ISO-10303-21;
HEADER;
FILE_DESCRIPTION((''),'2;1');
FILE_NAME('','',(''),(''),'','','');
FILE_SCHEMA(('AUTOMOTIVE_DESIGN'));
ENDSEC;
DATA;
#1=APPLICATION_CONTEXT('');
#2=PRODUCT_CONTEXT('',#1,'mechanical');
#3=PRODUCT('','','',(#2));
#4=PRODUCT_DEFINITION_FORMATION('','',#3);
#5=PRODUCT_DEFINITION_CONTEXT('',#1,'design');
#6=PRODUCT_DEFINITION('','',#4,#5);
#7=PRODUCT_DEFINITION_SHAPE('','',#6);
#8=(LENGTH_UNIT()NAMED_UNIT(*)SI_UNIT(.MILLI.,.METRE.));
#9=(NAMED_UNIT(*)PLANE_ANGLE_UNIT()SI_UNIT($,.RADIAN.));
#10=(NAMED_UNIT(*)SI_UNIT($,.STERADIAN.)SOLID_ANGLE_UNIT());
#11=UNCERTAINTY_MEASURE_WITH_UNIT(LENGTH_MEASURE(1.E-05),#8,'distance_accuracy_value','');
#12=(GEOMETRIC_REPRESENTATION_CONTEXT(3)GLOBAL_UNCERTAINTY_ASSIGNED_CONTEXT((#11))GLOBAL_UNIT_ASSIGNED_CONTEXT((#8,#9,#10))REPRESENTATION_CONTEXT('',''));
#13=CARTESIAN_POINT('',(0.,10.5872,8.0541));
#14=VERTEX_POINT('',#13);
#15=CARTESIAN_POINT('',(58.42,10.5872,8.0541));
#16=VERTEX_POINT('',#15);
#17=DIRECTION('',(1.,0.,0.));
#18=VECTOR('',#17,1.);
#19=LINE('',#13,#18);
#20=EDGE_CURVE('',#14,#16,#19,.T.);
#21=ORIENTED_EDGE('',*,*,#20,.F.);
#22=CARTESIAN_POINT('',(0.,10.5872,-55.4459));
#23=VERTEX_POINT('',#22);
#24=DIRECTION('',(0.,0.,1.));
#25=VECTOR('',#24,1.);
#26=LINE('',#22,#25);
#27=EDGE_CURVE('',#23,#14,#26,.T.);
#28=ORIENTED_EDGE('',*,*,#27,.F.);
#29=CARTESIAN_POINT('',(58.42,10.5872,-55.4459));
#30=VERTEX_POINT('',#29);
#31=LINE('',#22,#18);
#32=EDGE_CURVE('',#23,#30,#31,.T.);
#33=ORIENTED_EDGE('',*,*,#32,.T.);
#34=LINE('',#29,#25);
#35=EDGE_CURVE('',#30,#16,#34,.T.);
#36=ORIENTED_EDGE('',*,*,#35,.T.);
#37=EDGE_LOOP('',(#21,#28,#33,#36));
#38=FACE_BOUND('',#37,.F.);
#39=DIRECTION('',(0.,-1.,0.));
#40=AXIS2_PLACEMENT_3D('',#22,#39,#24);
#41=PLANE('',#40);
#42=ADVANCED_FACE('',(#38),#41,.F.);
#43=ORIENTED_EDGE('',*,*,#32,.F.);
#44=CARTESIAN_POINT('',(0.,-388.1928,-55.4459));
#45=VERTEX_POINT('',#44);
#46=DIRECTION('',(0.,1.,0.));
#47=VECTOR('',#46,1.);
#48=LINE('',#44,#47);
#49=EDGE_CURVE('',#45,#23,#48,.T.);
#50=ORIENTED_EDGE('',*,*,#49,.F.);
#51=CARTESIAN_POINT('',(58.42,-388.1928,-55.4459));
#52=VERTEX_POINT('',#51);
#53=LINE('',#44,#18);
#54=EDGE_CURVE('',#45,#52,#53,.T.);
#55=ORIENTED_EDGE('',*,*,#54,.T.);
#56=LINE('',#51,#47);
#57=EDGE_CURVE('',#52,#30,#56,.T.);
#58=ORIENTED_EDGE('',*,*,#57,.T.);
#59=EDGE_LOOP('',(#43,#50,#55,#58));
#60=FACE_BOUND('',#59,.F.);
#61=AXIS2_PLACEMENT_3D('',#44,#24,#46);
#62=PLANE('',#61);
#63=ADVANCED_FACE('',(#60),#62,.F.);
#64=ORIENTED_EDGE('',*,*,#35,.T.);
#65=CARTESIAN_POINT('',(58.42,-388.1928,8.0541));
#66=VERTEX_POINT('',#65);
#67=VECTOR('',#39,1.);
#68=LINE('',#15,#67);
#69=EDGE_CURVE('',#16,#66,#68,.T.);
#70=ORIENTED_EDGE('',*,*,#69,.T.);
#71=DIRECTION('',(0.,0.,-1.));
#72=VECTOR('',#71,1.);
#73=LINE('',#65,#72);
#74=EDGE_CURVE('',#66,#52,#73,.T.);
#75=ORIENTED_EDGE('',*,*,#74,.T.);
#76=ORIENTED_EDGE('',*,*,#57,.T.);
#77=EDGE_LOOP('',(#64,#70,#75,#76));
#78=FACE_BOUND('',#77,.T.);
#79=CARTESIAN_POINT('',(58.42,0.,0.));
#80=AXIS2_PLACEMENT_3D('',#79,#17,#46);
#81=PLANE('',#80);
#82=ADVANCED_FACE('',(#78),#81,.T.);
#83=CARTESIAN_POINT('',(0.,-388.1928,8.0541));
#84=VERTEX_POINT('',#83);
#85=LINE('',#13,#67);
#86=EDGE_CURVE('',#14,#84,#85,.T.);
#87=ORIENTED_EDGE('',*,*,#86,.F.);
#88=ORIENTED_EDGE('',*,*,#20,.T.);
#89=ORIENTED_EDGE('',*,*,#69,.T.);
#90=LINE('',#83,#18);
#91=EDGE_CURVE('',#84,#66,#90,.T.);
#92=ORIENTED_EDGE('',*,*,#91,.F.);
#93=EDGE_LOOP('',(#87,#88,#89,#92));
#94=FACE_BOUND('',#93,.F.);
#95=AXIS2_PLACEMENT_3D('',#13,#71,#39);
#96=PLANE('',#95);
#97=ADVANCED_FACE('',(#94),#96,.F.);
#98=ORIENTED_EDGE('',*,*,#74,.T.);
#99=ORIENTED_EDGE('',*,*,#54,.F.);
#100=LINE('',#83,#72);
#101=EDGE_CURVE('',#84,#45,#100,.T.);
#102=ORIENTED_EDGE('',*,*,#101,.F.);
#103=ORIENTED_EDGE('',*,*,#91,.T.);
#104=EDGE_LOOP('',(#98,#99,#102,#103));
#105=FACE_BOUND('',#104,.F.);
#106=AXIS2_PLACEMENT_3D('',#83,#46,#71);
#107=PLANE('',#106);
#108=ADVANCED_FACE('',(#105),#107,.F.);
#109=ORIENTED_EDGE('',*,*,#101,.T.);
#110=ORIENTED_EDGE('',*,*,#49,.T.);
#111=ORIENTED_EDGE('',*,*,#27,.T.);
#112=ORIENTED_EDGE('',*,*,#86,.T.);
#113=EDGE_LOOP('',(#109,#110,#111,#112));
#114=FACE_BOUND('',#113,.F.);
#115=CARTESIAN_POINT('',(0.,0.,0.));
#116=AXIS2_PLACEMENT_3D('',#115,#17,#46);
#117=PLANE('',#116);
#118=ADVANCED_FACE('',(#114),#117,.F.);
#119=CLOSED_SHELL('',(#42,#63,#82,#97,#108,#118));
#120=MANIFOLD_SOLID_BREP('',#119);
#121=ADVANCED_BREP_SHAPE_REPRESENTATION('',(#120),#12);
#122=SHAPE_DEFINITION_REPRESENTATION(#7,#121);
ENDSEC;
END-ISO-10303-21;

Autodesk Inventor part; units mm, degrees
ref_plane "YZ Plane" through (0, 0, 0) normal (1, 0, 0) x (0, 1, 0)
ref_plane "XZ Plane" through (0, 0, 0) normal (0, 1, 0) x (-1, 0, 0)
ref_plane "XY Plane" through (0, 0, 0) normal (0, 0, 1) x (1, 0, 0)
sketch "Sketch1" plane through (0, 0, 0) normal (1, 0, 0) x (0, 1, 0)
  line L0 (10.5872, 8.0541) -> (-388.1928, 8.0541)
  line L1 (-388.1928, 8.0541) -> (-388.1928, -55.4459)
  line L2 (-388.1928, -55.4459) -> (10.5872, -55.4459)
  line L3 (10.5872, -55.4459) -> (10.5872, 8.0541)
  point P0 (0, 0)
  dimension "d0" = 398.78
  dimension "d1" = 63.5
extrude "Extrusion1" add sketch "Sketch1" along normal blind 58.42
properties part number "Cloth"
